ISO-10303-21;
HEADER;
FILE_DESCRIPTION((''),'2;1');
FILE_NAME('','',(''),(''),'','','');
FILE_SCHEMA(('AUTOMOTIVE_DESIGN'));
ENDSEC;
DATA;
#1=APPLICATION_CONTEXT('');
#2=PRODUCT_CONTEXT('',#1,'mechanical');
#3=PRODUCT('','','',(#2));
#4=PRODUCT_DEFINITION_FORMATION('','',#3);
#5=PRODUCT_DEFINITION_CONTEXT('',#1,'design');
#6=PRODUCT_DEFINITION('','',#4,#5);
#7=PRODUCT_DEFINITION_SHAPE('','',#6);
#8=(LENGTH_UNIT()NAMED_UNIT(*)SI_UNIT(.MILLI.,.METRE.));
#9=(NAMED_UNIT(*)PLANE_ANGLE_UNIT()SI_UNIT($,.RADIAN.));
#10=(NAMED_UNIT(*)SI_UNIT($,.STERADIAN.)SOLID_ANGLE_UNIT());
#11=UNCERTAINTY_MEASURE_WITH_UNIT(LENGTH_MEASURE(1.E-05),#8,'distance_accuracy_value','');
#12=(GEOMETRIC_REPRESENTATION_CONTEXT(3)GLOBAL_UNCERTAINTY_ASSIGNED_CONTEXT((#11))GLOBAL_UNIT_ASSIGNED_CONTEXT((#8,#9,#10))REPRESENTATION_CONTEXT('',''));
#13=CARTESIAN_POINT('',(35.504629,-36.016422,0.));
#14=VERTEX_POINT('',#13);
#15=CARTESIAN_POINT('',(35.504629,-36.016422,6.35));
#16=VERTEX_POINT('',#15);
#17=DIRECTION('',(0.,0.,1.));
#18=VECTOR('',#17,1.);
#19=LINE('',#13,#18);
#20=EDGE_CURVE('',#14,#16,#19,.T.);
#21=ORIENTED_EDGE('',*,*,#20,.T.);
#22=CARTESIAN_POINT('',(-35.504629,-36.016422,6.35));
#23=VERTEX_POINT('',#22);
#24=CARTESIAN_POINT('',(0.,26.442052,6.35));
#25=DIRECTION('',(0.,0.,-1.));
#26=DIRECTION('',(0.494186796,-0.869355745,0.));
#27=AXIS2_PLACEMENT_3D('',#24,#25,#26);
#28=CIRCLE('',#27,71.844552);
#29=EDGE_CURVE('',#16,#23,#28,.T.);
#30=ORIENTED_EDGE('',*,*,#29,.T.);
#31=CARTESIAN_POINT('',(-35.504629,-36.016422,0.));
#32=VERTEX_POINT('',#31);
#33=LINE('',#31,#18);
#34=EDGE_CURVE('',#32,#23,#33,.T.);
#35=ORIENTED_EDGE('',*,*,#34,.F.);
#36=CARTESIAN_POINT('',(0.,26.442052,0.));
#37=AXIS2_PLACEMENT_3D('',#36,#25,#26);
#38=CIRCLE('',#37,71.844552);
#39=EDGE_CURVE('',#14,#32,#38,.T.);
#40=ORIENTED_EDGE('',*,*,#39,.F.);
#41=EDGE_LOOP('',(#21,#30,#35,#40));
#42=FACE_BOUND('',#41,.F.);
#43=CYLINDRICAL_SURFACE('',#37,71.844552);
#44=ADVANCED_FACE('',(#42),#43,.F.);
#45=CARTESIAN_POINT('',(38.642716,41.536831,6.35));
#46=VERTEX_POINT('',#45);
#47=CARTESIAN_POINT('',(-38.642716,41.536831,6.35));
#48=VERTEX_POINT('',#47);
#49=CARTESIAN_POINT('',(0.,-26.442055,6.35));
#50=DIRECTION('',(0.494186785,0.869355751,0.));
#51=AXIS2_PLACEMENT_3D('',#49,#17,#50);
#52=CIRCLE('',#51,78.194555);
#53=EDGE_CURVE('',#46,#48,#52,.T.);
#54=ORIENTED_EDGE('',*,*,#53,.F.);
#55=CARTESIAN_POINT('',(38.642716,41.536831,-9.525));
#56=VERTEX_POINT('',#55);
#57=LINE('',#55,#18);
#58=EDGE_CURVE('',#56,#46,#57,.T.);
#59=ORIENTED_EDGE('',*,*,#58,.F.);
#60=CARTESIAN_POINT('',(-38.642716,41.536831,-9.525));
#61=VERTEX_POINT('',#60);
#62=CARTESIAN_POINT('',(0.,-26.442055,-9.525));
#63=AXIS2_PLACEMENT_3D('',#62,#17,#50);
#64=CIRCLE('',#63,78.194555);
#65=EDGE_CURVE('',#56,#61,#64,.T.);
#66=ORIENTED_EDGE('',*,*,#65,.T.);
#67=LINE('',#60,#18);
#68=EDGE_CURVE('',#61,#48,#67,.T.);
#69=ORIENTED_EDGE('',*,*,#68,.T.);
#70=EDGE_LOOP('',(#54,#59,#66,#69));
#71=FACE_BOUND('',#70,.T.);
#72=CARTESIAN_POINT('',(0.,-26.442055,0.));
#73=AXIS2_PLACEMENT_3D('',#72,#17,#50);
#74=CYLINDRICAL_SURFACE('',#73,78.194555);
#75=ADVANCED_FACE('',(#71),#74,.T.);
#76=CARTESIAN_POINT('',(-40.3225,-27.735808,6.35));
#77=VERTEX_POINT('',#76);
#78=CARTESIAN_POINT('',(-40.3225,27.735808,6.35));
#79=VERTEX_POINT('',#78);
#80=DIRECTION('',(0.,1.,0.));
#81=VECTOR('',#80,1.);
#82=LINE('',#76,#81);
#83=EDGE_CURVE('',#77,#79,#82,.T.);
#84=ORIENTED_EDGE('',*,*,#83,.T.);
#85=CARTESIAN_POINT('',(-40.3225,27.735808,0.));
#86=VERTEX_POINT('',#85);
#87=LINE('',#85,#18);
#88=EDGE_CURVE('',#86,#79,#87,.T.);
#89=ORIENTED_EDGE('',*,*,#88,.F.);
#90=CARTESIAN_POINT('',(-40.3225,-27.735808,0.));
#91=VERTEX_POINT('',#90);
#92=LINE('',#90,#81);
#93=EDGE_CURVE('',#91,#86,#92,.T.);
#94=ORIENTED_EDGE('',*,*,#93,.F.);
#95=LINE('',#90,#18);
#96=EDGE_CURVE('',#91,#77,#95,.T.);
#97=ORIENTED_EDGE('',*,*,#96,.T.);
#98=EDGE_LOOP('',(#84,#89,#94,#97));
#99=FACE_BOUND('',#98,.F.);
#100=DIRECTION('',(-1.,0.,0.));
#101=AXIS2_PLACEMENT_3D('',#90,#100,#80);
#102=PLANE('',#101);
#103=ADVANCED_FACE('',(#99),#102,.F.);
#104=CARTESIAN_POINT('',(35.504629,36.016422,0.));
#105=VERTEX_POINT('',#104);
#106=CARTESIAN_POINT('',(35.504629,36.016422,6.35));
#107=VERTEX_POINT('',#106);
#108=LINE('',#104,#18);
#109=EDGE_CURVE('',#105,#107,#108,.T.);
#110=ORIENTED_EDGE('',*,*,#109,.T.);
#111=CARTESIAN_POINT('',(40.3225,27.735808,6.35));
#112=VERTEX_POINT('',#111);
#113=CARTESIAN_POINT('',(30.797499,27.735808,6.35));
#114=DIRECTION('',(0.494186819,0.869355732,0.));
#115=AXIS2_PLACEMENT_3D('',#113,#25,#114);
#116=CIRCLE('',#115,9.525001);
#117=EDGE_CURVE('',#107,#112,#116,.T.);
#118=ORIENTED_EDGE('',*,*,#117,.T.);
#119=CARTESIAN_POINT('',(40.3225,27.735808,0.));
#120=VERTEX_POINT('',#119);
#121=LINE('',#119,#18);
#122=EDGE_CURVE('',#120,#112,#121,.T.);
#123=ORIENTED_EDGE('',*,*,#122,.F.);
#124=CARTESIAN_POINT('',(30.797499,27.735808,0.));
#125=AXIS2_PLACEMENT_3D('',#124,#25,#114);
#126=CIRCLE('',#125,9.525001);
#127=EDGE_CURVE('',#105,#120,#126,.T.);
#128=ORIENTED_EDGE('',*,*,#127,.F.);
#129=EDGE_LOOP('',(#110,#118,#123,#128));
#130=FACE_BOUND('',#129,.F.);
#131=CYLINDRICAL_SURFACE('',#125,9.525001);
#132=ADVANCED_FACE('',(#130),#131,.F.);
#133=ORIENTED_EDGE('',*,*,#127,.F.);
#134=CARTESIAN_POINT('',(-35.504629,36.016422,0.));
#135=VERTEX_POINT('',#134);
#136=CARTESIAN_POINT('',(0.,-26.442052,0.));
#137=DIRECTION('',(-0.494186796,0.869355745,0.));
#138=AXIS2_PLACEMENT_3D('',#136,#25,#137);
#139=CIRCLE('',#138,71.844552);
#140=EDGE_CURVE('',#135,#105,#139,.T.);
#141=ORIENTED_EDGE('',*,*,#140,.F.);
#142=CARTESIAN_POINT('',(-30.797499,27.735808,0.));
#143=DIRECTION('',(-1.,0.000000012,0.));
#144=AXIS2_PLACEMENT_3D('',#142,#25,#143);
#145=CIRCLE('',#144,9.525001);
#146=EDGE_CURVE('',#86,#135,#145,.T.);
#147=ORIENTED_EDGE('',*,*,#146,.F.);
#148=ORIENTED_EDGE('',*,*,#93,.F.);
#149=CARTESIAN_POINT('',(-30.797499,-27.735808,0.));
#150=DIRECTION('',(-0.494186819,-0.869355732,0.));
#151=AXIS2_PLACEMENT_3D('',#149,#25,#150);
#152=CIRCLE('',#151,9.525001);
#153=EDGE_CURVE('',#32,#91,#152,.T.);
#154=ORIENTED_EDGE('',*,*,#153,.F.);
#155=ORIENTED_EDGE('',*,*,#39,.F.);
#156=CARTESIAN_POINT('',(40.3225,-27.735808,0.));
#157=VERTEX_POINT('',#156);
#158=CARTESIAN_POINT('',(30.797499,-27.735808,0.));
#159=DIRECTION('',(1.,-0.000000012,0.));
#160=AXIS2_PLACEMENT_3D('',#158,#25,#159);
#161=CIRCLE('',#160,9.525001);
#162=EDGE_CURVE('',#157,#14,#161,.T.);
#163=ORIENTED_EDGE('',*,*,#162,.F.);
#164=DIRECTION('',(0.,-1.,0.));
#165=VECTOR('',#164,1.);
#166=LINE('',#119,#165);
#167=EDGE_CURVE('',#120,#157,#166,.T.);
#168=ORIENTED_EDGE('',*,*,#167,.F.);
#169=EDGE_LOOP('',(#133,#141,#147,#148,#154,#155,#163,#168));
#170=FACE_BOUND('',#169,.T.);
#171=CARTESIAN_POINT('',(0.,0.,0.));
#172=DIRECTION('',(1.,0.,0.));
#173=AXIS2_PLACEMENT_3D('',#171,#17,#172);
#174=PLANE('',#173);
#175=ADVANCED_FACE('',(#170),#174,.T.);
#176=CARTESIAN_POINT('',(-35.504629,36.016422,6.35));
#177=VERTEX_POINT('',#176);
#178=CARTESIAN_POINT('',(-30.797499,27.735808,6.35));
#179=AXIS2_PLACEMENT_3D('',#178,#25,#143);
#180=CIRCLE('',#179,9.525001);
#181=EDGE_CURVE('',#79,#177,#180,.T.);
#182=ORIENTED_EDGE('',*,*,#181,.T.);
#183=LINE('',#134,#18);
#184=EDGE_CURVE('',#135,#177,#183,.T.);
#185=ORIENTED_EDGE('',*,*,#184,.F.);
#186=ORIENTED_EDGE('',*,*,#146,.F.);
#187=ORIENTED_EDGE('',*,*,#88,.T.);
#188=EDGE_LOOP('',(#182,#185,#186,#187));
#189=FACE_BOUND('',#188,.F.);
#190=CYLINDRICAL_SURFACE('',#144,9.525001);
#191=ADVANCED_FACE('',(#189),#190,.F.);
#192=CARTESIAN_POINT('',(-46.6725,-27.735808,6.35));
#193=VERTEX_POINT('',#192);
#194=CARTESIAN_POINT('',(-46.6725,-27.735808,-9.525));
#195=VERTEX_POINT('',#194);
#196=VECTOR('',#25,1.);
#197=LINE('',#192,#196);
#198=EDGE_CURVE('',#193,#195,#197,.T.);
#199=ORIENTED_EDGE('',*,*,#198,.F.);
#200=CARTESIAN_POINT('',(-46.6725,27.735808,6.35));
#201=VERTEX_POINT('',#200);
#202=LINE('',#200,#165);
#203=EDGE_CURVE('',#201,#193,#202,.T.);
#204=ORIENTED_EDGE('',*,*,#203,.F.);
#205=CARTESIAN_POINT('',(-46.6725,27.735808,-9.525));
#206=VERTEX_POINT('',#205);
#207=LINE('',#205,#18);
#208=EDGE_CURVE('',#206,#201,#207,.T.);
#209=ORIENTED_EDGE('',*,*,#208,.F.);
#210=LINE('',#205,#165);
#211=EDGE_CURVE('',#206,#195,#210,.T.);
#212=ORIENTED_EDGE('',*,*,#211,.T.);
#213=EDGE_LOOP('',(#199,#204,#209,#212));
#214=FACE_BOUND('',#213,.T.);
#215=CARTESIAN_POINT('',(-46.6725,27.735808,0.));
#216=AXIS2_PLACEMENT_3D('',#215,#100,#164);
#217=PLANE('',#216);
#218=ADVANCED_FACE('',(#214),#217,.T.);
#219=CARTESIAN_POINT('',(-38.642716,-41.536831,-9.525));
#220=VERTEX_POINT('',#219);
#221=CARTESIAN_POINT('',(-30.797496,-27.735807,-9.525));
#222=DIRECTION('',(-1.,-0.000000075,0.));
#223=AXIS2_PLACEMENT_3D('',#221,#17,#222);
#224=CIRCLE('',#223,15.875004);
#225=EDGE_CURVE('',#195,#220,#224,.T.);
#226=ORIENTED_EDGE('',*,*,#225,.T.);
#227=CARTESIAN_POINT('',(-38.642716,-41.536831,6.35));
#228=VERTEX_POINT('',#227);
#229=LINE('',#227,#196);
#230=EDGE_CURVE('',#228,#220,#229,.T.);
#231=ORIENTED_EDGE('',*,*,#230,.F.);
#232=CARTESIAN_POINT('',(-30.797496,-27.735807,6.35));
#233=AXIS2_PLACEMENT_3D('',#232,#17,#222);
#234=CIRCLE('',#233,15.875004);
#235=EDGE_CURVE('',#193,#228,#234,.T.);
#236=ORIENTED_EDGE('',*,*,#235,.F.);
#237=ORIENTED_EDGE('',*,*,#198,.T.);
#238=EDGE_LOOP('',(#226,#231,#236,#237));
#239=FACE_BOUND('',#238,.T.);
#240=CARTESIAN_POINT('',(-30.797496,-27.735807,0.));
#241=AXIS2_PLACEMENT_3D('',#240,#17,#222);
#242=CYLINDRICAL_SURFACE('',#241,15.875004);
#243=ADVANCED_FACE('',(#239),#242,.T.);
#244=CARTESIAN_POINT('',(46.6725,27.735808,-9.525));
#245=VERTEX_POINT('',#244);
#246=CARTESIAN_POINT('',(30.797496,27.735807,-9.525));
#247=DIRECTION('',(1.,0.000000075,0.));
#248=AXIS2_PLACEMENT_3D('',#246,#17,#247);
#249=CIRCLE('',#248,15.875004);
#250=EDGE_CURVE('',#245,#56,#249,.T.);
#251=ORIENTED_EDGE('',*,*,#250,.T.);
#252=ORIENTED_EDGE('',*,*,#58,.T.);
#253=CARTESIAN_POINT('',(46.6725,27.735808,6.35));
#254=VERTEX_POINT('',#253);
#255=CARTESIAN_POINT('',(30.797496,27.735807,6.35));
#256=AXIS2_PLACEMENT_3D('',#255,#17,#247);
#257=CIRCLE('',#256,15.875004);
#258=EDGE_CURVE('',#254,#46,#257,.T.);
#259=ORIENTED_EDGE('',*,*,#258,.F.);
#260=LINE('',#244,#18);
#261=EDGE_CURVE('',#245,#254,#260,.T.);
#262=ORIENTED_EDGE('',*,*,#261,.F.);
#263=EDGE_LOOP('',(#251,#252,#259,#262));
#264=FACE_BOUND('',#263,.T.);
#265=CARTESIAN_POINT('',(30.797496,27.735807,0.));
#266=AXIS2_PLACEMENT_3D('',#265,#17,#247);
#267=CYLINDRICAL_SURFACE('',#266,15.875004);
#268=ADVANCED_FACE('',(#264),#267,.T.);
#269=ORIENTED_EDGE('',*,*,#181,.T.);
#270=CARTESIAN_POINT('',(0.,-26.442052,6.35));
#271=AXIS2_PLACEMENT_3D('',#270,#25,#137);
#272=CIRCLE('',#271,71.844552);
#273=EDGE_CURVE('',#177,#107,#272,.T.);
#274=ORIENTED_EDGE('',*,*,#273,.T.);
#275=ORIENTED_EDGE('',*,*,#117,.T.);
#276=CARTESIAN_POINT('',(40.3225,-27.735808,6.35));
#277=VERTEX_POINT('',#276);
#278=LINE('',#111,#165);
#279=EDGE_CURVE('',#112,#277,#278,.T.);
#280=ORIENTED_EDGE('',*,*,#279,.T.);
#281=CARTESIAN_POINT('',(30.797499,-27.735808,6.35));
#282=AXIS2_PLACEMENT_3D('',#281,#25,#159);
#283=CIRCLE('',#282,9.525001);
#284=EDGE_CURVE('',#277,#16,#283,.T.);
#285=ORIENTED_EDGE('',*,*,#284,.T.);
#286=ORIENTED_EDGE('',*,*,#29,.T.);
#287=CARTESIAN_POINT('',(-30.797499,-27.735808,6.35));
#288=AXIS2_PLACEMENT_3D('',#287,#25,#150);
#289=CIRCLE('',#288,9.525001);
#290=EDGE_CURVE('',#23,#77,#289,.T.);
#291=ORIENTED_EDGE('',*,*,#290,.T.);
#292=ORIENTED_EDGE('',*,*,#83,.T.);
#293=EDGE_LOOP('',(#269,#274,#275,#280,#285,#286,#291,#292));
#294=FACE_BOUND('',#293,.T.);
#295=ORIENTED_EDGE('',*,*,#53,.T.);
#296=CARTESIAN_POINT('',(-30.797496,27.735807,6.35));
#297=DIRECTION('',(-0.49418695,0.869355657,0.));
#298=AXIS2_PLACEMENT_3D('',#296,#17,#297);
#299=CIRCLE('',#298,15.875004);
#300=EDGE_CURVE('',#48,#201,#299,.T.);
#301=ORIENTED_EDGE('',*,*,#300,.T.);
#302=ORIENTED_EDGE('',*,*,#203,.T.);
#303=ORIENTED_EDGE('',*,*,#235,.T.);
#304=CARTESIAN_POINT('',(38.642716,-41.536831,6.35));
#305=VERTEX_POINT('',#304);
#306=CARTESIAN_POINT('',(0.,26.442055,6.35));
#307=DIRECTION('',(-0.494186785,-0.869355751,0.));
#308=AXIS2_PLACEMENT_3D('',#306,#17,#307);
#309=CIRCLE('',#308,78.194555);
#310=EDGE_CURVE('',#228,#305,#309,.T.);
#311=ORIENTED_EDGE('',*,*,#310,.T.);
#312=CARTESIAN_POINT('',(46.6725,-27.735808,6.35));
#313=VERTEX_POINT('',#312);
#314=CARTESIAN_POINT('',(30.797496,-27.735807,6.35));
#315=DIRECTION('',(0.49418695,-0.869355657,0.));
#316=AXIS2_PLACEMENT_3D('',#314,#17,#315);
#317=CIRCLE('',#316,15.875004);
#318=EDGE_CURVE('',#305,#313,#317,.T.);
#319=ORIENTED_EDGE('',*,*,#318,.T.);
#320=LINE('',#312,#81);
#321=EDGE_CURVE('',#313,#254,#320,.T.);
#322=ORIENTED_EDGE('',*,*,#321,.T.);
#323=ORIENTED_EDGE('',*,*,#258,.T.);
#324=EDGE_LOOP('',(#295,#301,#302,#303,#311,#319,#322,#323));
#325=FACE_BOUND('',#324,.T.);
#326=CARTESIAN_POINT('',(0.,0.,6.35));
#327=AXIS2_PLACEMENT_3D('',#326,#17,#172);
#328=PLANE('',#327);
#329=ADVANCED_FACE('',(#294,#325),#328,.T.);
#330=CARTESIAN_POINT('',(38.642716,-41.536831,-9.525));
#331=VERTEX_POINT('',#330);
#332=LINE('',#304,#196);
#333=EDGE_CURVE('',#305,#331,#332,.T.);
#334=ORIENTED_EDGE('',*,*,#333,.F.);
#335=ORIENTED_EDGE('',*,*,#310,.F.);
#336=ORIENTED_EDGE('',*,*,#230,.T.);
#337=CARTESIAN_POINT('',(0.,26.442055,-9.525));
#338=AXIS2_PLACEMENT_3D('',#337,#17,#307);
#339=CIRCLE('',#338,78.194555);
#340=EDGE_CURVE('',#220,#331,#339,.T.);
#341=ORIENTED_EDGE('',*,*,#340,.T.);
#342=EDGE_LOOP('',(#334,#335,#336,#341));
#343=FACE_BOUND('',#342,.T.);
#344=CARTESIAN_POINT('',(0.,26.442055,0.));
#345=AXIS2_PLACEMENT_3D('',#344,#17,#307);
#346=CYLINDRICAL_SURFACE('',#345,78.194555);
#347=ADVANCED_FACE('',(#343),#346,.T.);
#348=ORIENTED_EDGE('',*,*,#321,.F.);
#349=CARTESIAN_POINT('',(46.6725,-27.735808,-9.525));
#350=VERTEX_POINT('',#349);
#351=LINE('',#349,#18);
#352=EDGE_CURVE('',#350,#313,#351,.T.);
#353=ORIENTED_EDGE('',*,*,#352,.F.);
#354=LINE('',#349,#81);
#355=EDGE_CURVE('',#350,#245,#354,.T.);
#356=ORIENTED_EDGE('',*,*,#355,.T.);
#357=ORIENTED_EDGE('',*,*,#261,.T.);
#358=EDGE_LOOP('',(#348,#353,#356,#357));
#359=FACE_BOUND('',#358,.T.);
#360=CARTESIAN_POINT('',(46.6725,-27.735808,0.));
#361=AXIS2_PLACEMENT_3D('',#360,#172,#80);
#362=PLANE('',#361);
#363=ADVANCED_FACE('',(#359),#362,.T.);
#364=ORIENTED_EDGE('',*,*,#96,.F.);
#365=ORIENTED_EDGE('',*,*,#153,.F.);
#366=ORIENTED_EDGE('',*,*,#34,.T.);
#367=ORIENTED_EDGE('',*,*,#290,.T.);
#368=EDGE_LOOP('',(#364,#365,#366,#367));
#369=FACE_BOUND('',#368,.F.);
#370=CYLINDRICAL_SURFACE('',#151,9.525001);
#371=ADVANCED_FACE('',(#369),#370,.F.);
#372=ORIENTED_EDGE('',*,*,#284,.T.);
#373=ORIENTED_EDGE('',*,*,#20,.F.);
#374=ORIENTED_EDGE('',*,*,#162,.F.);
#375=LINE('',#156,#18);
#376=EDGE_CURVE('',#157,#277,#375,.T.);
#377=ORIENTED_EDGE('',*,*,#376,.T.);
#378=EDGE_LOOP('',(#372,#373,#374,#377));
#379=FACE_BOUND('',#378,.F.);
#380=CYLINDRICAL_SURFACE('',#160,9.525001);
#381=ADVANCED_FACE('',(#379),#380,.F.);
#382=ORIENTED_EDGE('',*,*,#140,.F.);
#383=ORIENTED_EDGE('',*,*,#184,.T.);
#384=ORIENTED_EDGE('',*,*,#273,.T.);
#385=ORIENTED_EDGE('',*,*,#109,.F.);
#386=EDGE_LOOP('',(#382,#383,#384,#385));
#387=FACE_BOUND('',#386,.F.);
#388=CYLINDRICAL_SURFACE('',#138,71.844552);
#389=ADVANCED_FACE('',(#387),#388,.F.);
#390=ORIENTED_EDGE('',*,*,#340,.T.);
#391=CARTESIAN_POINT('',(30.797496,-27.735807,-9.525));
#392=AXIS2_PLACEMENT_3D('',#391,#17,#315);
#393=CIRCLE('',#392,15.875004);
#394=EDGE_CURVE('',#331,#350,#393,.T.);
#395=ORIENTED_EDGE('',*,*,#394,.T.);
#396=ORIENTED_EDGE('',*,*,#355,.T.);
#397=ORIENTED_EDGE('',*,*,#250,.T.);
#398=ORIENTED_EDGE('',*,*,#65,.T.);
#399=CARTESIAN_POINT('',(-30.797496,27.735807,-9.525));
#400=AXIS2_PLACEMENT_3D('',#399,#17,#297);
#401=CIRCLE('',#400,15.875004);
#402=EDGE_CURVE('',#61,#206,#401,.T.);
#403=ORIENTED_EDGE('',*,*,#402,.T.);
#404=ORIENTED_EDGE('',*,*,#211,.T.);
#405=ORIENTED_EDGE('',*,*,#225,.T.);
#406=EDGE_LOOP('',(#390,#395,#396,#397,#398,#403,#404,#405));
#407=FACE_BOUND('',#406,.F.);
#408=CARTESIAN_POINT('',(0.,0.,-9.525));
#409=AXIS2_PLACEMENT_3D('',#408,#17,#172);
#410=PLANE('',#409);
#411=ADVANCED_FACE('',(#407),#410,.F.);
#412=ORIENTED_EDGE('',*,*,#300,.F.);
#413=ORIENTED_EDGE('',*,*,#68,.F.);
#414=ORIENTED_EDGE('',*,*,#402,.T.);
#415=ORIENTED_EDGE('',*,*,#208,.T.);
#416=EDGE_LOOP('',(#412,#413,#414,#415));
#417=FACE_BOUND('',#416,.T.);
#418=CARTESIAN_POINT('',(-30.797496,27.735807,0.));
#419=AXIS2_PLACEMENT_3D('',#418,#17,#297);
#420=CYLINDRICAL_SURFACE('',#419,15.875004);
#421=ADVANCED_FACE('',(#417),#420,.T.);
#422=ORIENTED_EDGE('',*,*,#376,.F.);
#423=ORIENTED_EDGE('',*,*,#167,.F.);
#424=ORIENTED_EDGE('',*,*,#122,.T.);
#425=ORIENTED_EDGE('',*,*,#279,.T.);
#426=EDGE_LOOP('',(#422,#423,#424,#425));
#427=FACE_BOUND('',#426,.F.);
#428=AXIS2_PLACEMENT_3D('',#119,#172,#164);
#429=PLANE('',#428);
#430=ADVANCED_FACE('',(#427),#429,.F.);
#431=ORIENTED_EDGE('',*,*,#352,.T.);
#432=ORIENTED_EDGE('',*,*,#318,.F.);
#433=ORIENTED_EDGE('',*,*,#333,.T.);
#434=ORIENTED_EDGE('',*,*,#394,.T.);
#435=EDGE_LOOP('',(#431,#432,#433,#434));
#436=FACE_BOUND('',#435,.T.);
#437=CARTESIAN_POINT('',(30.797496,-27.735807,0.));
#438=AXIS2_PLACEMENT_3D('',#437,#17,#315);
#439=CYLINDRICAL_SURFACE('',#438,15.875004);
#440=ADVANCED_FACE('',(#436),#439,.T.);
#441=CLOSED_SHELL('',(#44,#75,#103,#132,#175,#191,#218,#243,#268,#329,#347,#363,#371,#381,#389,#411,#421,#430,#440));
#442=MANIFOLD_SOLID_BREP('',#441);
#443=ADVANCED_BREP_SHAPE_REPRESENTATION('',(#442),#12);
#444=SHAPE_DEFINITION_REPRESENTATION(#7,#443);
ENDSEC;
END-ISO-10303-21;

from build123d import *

# Parameters (mm, degrees)
F1_DEPTH = 6.35
F3_DEPTH = 9.525


with BuildPart() as f1:
    # F0 (on Top) → F1 (new body)
    with BuildSketch(Plane.XY):
        with BuildLine():
            Line((46.6725, -27.735808), (46.6725, 27.735808))
            ThreePointArc((46.6725, 27.735808), (44.518987, 35.719317), (38.642716, 41.536831))
            ThreePointArc((38.642716, 41.536831), (0, 51.7525), (-38.642716, 41.536831))
            ThreePointArc((-38.642716, 41.536831), (-44.518987, 35.719317), (-46.6725, 27.735808))
            Line((-46.6725, 27.735808), (-46.6725, -27.735808))
            ThreePointArc((-46.6725, -27.735808), (-44.518987, -35.719317), (-38.642716, -41.536831))
            ThreePointArc((-38.642716, -41.536831), (0, -51.7525), (38.642716, -41.536831))
            ThreePointArc((38.642716, -41.536831), (44.518987, -35.719317), (46.6725, -27.735808))
        make_face()
        with BuildLine():
            ThreePointArc((-35.504629, -36.016422), (-39.030392, -32.525914), (-40.3225, -27.735808))
            Line((-40.3225, -27.735808), (-40.3225, 27.735808))
            ThreePointArc((-40.3225, 27.735808), (-39.030392, 32.525914), (-35.504629, 36.016422))
            ThreePointArc((-35.504629, 36.016422), (0, 45.4025), (35.504629, 36.016422))
            ThreePointArc((35.504629, 36.016422), (39.030392, 32.525914), (40.3225, 27.735808))
            Line((40.3225, 27.735808), (40.3225, -27.735808))
            ThreePointArc((40.3225, -27.735808), (39.030392, -32.525914), (35.504629, -36.016422))
            ThreePointArc((35.504629, -36.016422), (0, -45.4025), (-35.504629, -36.016422))
        make_face(mode=Mode.SUBTRACT)
    extrude(amount=F1_DEPTH)

    # F2 (on Top) → F3 (join)
    with BuildSketch(Plane.XY):
        with BuildLine():
            ThreePointArc((38.642716, -41.536831), (44.518987, -35.719317), (46.6725, -27.735808))
            Line((46.6725, -27.735808), (46.6725, 27.735808))
            ThreePointArc((46.6725, 27.735808), (44.518987, 35.719317), (38.642716, 41.536831))
            ThreePointArc((38.642716, 41.536831), (0, 51.7525), (-38.642716, 41.536831))
            ThreePointArc((-38.642716, 41.536831), (-44.518987, 35.719317), (-46.6725, 27.735808))
            Line((-46.6725, 27.735808), (-46.6725, -27.735808))
            ThreePointArc((-46.6725, -27.735808), (-44.518987, -35.719317), (-38.642716, -41.536831))
            ThreePointArc((-38.642716, -41.536831), (0, -51.7525), (38.642716, -41.536831))
        make_face()
    extrude(amount=-F3_DEPTH)


solid = f1.part
